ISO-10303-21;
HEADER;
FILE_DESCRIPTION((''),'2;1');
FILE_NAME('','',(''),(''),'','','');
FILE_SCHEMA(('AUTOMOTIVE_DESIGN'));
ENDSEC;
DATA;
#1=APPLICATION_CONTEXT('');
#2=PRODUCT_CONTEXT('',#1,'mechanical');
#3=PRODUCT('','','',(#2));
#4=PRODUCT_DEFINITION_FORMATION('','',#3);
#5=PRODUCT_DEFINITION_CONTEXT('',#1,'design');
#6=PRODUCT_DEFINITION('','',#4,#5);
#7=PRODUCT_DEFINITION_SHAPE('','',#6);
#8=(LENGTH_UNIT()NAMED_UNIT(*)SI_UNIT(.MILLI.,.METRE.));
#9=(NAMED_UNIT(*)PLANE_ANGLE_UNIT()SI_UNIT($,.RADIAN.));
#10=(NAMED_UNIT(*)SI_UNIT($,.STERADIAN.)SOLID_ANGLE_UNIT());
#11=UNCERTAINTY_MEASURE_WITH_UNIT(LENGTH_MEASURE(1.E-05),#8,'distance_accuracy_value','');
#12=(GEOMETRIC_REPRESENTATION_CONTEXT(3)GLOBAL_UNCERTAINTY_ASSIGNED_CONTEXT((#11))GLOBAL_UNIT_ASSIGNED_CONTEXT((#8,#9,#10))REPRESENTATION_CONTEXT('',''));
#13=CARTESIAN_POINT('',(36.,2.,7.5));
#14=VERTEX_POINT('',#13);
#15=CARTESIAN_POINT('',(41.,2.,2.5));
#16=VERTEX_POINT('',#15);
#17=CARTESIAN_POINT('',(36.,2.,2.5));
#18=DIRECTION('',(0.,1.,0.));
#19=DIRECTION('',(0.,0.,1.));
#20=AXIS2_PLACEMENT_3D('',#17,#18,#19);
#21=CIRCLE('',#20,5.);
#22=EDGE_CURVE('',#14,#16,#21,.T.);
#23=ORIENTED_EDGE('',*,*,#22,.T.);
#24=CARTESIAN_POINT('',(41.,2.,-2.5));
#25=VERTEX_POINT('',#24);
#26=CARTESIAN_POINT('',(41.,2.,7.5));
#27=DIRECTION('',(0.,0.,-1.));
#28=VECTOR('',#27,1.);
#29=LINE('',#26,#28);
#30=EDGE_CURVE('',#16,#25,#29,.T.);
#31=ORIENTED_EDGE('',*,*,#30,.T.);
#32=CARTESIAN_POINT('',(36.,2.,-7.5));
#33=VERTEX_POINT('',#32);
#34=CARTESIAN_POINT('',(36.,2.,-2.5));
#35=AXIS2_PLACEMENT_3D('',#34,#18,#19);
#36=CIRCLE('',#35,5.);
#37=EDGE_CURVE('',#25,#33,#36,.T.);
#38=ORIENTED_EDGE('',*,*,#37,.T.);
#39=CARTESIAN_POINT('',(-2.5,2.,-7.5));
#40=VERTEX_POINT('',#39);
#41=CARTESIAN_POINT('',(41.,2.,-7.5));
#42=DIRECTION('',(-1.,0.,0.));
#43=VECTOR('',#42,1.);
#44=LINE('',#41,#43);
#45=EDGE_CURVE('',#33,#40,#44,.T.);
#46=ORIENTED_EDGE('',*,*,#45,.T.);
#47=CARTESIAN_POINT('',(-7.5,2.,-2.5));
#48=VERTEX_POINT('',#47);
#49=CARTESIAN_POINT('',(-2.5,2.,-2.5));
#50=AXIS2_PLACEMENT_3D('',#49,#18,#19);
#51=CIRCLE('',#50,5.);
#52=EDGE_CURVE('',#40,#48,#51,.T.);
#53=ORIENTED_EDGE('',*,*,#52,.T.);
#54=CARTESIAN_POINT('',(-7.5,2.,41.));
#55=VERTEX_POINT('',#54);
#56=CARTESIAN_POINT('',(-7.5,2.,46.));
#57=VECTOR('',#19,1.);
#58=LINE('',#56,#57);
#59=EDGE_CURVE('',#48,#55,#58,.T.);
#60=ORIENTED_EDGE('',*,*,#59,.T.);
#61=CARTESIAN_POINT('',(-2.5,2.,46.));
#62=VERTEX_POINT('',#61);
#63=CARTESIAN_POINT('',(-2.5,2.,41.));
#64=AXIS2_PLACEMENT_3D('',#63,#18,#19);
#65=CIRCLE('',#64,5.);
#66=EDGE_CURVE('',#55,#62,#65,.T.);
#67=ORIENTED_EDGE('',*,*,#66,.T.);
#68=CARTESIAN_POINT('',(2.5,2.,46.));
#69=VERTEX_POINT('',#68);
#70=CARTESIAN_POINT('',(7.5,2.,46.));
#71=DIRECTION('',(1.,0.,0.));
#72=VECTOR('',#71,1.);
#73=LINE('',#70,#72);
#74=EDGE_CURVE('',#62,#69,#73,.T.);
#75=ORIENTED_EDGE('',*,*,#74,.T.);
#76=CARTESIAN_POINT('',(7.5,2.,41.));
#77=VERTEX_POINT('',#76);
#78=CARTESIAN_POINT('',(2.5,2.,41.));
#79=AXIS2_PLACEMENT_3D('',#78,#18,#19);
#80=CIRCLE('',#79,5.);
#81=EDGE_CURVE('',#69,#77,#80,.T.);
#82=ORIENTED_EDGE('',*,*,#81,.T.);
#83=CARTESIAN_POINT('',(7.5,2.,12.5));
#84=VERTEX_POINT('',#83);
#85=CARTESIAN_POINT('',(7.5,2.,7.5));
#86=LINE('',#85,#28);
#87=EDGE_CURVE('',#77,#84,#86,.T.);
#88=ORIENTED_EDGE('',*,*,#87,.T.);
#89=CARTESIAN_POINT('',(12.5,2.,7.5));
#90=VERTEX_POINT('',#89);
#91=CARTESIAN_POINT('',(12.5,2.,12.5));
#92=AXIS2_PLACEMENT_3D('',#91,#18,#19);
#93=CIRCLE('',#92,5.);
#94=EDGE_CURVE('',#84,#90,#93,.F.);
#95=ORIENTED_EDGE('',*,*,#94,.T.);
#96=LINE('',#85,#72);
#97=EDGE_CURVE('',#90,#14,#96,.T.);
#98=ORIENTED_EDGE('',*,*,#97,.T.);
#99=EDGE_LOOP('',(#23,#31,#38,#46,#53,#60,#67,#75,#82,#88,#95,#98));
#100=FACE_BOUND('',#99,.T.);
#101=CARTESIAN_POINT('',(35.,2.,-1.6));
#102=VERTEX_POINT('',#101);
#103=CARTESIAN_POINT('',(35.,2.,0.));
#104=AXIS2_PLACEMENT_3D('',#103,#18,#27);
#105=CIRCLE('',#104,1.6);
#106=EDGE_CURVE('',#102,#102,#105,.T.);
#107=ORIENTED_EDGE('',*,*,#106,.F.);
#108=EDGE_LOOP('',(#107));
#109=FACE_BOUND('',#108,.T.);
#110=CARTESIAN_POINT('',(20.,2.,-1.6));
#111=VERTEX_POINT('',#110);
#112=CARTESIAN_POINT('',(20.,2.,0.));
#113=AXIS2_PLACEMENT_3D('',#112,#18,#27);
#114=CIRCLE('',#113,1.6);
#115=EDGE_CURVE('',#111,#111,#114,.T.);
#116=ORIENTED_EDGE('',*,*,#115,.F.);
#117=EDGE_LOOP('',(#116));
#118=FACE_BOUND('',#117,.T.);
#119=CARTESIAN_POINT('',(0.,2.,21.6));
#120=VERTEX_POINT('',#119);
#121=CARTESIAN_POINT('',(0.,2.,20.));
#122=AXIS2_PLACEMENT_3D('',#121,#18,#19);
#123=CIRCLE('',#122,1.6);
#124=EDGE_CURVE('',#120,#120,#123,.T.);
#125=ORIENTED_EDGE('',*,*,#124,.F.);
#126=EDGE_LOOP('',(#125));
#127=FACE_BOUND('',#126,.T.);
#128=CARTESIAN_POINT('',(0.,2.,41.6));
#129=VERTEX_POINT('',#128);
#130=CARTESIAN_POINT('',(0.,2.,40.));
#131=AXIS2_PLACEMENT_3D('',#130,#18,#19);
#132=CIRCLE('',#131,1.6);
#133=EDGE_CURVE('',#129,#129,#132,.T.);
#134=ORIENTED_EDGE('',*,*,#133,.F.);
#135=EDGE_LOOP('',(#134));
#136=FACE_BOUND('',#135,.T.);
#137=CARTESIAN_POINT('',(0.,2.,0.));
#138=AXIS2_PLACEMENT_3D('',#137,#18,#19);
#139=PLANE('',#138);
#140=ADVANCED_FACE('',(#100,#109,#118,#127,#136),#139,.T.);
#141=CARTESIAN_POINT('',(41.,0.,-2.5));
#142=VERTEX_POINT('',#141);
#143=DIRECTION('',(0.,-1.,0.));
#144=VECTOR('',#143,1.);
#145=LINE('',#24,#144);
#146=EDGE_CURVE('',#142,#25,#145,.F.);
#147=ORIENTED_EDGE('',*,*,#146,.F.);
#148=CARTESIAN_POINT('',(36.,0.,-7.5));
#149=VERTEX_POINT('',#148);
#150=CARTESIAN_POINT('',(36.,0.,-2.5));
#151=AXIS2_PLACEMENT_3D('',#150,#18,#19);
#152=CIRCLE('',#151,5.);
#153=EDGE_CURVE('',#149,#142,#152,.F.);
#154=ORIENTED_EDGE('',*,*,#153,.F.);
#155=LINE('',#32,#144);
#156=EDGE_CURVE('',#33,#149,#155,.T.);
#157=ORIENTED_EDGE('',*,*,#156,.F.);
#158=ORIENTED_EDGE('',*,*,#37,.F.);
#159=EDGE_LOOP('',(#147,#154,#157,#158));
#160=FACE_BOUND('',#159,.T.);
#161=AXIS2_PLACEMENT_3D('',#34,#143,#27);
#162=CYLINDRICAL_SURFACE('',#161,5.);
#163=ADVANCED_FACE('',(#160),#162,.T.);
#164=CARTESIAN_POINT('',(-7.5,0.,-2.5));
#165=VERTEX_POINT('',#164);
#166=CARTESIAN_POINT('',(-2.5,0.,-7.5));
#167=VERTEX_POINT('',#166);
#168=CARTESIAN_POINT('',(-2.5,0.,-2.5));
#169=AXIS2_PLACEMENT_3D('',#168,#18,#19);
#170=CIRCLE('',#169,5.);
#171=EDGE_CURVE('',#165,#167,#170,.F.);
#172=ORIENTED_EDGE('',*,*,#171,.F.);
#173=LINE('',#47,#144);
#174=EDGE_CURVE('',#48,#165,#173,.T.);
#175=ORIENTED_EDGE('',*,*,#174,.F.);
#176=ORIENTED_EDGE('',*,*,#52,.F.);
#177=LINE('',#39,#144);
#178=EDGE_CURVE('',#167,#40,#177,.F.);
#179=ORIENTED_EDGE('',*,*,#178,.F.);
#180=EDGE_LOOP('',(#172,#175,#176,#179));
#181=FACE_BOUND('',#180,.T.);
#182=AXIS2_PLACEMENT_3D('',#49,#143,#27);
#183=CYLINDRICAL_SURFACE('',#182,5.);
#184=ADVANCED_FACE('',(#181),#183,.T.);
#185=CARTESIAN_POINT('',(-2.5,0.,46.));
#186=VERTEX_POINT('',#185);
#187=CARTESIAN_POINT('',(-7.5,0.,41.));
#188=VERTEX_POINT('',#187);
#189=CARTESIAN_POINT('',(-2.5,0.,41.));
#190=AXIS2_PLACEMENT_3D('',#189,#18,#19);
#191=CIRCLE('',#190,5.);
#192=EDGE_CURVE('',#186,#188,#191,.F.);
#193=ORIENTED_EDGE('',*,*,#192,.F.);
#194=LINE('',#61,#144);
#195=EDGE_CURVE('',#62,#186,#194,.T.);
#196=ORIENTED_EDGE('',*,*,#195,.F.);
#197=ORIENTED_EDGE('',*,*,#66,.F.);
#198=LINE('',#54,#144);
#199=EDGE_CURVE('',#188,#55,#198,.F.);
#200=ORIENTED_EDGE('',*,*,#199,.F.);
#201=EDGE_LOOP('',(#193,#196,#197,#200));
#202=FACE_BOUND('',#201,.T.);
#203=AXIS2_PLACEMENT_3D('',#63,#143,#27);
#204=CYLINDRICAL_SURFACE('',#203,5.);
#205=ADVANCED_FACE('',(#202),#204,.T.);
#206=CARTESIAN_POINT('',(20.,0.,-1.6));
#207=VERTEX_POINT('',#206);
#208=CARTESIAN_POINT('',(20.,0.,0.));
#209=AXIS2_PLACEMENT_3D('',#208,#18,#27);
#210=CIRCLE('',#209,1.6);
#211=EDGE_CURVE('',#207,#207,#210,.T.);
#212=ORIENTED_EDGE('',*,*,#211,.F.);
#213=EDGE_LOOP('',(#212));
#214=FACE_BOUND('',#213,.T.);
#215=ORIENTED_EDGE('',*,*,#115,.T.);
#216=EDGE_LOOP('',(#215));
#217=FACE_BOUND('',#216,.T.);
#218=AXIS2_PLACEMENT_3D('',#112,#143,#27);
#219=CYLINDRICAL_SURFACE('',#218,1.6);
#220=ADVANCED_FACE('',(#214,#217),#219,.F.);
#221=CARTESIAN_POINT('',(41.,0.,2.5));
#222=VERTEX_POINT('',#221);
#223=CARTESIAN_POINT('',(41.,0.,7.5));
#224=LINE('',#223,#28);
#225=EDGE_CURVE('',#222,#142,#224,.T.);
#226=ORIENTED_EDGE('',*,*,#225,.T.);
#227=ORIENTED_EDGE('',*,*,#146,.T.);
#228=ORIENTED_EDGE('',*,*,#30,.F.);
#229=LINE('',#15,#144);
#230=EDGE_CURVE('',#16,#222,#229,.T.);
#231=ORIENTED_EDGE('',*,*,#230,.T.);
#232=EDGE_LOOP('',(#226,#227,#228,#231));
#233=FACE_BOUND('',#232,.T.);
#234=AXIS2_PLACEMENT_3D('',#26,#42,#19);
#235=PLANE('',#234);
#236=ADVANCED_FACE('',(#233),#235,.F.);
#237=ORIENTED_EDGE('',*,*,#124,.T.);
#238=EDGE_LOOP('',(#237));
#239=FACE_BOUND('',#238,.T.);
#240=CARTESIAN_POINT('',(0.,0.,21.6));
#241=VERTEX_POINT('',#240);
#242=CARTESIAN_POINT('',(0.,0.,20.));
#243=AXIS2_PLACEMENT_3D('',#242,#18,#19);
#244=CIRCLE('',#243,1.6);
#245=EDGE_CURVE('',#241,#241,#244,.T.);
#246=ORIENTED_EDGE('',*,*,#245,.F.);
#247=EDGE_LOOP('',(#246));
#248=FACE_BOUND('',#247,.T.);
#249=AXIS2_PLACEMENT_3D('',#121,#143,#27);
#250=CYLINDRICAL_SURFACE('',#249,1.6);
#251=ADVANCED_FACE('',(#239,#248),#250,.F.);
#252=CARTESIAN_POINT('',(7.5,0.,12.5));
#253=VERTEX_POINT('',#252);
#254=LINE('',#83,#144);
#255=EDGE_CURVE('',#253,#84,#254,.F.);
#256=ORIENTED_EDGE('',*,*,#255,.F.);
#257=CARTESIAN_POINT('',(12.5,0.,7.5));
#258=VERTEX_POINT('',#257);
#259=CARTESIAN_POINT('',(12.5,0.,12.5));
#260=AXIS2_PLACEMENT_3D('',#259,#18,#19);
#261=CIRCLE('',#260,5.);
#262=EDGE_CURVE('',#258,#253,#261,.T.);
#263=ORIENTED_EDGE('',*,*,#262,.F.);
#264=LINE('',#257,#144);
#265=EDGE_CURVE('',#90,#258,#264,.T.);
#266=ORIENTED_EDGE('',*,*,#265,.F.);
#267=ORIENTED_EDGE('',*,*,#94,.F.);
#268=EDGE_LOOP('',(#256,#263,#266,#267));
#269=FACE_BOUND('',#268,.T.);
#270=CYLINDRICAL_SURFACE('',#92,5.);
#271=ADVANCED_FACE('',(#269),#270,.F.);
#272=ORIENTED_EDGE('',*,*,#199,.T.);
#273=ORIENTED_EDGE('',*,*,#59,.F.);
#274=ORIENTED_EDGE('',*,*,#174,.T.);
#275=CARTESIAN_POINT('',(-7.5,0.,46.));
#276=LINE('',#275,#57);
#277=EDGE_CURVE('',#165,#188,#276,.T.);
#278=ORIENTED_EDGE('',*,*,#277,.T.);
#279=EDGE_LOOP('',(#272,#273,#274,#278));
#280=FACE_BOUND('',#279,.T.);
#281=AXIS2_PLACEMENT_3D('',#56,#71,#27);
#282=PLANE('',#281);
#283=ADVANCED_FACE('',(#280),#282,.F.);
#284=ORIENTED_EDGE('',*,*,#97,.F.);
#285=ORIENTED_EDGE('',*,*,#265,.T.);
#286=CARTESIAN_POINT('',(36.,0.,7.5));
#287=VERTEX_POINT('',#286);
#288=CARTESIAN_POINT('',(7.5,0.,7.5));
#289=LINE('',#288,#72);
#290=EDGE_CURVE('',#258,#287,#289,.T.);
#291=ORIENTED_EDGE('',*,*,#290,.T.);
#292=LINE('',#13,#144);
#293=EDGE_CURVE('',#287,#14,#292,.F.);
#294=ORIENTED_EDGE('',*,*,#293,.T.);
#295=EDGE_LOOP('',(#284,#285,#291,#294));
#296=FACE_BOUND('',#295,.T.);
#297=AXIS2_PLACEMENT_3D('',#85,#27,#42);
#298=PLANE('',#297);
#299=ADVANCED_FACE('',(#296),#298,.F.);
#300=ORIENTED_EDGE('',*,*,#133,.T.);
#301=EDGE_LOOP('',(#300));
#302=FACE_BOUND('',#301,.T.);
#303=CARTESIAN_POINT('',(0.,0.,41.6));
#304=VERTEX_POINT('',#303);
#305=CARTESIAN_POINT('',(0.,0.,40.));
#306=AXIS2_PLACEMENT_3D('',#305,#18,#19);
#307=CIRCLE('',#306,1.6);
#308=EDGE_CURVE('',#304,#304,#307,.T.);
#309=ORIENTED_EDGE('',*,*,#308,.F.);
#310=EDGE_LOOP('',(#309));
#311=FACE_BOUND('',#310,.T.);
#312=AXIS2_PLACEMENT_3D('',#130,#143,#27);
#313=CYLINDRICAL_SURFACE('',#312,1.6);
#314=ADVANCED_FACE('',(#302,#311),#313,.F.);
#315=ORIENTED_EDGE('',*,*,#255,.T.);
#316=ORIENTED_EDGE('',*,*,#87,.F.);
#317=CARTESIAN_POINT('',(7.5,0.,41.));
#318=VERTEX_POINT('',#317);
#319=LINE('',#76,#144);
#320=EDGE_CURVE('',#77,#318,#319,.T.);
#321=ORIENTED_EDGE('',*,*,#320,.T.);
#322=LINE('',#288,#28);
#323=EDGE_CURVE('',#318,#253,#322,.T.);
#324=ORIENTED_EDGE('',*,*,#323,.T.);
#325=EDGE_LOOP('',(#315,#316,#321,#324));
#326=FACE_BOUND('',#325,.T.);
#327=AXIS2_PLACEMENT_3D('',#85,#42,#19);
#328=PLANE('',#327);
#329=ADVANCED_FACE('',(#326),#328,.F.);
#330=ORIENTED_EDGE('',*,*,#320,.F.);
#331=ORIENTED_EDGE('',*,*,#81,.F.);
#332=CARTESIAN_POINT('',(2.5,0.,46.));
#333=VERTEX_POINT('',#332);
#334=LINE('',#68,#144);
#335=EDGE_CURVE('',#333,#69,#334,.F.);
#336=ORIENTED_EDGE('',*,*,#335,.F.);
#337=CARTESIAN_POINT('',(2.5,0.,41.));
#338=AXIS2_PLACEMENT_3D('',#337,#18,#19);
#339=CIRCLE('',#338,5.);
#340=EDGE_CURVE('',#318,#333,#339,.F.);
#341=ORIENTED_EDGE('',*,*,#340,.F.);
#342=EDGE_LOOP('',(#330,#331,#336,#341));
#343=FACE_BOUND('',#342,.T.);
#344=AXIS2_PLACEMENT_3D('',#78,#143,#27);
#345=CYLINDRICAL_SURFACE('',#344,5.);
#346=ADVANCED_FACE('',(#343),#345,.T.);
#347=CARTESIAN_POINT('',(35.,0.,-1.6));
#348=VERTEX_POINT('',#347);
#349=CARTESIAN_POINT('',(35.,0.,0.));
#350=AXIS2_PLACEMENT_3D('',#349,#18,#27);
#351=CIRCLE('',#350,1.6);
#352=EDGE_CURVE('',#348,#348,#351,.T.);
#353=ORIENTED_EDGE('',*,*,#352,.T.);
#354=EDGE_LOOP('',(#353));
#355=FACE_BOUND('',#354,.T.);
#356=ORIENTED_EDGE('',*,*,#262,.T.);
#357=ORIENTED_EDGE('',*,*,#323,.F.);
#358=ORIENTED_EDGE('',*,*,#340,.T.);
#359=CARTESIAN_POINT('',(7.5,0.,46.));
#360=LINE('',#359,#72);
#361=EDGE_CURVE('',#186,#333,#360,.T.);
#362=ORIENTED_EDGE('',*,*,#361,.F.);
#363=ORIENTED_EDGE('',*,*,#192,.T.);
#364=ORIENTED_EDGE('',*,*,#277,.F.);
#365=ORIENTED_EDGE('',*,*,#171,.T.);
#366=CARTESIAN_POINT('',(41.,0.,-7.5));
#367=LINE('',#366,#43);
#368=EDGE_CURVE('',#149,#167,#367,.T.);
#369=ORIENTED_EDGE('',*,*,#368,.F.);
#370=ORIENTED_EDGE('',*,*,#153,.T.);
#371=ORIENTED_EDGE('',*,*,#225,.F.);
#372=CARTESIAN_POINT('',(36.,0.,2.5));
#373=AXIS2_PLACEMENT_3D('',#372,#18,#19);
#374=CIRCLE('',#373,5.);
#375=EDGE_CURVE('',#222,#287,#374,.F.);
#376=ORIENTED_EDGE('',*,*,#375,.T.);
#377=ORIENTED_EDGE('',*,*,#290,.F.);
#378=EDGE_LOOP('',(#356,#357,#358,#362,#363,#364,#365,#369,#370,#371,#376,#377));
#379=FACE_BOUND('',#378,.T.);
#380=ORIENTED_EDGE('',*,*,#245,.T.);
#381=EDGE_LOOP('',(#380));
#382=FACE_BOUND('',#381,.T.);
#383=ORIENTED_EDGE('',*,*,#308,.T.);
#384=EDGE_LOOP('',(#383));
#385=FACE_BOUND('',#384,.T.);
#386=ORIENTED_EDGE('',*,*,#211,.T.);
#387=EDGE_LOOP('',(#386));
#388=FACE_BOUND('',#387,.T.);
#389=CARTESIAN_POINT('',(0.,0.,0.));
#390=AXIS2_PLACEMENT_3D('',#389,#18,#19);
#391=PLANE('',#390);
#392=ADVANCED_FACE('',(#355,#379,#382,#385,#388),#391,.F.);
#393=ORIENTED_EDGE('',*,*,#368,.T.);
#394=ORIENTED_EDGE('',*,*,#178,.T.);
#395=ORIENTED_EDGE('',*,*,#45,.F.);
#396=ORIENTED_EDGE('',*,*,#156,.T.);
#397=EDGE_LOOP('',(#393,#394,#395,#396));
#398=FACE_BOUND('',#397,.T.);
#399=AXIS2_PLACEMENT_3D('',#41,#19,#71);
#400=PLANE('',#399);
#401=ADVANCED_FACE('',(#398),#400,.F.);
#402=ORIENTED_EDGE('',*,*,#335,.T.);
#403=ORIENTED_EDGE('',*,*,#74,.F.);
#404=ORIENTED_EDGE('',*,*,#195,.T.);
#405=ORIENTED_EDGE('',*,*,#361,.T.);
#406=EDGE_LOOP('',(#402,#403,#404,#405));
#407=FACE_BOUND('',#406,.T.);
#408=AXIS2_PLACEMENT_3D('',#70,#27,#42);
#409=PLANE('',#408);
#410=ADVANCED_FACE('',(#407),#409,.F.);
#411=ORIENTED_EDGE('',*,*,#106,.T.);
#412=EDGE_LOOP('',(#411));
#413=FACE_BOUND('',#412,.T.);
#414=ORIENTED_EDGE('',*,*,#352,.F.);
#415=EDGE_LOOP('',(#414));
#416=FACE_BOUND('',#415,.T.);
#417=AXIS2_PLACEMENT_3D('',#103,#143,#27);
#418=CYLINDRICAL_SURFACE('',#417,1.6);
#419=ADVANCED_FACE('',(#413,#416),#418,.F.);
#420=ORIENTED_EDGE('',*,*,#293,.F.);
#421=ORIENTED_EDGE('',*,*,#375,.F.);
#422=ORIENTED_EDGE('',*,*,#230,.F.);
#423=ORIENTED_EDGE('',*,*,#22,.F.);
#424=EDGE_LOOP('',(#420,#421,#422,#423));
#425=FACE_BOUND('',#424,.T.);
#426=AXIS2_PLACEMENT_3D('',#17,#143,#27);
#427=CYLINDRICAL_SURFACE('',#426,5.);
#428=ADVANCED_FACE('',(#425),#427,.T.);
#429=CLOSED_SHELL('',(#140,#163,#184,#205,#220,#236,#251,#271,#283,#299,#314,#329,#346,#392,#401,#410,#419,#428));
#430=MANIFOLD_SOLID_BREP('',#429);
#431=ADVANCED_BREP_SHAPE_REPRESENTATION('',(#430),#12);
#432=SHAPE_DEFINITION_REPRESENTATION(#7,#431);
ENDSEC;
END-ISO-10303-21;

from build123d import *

# Parameters (mm, degrees)
SKETCH1_R           = 1.6
BOSS_EXTRUDE1_DEPTH = 2
FILLET1_R           = 5


with BuildPart() as part:
    # Sketch1 → Boss-Extrude1 (new body)
    with BuildSketch(Plane(origin=(0, 0, 0), x_dir=(1, 0, 0), z_dir=(0, 1, 0))):
        Polygon((7.5, -7.5), (7.5, -46), (-7.5, -46), (-7.5, 7.5), (41, 7.5), (41, -7.5), align=None)
        with Locations((0, -40)):
            Circle(SKETCH1_R, mode=Mode.SUBTRACT)
        with Locations((0, -20)):
            Circle(SKETCH1_R, mode=Mode.SUBTRACT)
        with Locations((20, 0)):
            Circle(SKETCH1_R, mode=Mode.SUBTRACT)
        with Locations((35, 0)):
            Circle(SKETCH1_R, mode=Mode.SUBTRACT)
    extrude(amount=BOSS_EXTRUDE1_DEPTH)

    # Fillet1
    fillet1_edges = [part.edges().sort_by_distance(p)[0] for p in [
        (7.5, 1, 7.5),
        (7.5, 1, 46),
        (-7.5, 1, 46),
        (-7.5, 1, -7.5),
        (41, 1, -7.5),
        (41, 1, 7.5),
    ]]
    fillet(fillet1_edges, radius=FILLET1_R)


solid = part.part
